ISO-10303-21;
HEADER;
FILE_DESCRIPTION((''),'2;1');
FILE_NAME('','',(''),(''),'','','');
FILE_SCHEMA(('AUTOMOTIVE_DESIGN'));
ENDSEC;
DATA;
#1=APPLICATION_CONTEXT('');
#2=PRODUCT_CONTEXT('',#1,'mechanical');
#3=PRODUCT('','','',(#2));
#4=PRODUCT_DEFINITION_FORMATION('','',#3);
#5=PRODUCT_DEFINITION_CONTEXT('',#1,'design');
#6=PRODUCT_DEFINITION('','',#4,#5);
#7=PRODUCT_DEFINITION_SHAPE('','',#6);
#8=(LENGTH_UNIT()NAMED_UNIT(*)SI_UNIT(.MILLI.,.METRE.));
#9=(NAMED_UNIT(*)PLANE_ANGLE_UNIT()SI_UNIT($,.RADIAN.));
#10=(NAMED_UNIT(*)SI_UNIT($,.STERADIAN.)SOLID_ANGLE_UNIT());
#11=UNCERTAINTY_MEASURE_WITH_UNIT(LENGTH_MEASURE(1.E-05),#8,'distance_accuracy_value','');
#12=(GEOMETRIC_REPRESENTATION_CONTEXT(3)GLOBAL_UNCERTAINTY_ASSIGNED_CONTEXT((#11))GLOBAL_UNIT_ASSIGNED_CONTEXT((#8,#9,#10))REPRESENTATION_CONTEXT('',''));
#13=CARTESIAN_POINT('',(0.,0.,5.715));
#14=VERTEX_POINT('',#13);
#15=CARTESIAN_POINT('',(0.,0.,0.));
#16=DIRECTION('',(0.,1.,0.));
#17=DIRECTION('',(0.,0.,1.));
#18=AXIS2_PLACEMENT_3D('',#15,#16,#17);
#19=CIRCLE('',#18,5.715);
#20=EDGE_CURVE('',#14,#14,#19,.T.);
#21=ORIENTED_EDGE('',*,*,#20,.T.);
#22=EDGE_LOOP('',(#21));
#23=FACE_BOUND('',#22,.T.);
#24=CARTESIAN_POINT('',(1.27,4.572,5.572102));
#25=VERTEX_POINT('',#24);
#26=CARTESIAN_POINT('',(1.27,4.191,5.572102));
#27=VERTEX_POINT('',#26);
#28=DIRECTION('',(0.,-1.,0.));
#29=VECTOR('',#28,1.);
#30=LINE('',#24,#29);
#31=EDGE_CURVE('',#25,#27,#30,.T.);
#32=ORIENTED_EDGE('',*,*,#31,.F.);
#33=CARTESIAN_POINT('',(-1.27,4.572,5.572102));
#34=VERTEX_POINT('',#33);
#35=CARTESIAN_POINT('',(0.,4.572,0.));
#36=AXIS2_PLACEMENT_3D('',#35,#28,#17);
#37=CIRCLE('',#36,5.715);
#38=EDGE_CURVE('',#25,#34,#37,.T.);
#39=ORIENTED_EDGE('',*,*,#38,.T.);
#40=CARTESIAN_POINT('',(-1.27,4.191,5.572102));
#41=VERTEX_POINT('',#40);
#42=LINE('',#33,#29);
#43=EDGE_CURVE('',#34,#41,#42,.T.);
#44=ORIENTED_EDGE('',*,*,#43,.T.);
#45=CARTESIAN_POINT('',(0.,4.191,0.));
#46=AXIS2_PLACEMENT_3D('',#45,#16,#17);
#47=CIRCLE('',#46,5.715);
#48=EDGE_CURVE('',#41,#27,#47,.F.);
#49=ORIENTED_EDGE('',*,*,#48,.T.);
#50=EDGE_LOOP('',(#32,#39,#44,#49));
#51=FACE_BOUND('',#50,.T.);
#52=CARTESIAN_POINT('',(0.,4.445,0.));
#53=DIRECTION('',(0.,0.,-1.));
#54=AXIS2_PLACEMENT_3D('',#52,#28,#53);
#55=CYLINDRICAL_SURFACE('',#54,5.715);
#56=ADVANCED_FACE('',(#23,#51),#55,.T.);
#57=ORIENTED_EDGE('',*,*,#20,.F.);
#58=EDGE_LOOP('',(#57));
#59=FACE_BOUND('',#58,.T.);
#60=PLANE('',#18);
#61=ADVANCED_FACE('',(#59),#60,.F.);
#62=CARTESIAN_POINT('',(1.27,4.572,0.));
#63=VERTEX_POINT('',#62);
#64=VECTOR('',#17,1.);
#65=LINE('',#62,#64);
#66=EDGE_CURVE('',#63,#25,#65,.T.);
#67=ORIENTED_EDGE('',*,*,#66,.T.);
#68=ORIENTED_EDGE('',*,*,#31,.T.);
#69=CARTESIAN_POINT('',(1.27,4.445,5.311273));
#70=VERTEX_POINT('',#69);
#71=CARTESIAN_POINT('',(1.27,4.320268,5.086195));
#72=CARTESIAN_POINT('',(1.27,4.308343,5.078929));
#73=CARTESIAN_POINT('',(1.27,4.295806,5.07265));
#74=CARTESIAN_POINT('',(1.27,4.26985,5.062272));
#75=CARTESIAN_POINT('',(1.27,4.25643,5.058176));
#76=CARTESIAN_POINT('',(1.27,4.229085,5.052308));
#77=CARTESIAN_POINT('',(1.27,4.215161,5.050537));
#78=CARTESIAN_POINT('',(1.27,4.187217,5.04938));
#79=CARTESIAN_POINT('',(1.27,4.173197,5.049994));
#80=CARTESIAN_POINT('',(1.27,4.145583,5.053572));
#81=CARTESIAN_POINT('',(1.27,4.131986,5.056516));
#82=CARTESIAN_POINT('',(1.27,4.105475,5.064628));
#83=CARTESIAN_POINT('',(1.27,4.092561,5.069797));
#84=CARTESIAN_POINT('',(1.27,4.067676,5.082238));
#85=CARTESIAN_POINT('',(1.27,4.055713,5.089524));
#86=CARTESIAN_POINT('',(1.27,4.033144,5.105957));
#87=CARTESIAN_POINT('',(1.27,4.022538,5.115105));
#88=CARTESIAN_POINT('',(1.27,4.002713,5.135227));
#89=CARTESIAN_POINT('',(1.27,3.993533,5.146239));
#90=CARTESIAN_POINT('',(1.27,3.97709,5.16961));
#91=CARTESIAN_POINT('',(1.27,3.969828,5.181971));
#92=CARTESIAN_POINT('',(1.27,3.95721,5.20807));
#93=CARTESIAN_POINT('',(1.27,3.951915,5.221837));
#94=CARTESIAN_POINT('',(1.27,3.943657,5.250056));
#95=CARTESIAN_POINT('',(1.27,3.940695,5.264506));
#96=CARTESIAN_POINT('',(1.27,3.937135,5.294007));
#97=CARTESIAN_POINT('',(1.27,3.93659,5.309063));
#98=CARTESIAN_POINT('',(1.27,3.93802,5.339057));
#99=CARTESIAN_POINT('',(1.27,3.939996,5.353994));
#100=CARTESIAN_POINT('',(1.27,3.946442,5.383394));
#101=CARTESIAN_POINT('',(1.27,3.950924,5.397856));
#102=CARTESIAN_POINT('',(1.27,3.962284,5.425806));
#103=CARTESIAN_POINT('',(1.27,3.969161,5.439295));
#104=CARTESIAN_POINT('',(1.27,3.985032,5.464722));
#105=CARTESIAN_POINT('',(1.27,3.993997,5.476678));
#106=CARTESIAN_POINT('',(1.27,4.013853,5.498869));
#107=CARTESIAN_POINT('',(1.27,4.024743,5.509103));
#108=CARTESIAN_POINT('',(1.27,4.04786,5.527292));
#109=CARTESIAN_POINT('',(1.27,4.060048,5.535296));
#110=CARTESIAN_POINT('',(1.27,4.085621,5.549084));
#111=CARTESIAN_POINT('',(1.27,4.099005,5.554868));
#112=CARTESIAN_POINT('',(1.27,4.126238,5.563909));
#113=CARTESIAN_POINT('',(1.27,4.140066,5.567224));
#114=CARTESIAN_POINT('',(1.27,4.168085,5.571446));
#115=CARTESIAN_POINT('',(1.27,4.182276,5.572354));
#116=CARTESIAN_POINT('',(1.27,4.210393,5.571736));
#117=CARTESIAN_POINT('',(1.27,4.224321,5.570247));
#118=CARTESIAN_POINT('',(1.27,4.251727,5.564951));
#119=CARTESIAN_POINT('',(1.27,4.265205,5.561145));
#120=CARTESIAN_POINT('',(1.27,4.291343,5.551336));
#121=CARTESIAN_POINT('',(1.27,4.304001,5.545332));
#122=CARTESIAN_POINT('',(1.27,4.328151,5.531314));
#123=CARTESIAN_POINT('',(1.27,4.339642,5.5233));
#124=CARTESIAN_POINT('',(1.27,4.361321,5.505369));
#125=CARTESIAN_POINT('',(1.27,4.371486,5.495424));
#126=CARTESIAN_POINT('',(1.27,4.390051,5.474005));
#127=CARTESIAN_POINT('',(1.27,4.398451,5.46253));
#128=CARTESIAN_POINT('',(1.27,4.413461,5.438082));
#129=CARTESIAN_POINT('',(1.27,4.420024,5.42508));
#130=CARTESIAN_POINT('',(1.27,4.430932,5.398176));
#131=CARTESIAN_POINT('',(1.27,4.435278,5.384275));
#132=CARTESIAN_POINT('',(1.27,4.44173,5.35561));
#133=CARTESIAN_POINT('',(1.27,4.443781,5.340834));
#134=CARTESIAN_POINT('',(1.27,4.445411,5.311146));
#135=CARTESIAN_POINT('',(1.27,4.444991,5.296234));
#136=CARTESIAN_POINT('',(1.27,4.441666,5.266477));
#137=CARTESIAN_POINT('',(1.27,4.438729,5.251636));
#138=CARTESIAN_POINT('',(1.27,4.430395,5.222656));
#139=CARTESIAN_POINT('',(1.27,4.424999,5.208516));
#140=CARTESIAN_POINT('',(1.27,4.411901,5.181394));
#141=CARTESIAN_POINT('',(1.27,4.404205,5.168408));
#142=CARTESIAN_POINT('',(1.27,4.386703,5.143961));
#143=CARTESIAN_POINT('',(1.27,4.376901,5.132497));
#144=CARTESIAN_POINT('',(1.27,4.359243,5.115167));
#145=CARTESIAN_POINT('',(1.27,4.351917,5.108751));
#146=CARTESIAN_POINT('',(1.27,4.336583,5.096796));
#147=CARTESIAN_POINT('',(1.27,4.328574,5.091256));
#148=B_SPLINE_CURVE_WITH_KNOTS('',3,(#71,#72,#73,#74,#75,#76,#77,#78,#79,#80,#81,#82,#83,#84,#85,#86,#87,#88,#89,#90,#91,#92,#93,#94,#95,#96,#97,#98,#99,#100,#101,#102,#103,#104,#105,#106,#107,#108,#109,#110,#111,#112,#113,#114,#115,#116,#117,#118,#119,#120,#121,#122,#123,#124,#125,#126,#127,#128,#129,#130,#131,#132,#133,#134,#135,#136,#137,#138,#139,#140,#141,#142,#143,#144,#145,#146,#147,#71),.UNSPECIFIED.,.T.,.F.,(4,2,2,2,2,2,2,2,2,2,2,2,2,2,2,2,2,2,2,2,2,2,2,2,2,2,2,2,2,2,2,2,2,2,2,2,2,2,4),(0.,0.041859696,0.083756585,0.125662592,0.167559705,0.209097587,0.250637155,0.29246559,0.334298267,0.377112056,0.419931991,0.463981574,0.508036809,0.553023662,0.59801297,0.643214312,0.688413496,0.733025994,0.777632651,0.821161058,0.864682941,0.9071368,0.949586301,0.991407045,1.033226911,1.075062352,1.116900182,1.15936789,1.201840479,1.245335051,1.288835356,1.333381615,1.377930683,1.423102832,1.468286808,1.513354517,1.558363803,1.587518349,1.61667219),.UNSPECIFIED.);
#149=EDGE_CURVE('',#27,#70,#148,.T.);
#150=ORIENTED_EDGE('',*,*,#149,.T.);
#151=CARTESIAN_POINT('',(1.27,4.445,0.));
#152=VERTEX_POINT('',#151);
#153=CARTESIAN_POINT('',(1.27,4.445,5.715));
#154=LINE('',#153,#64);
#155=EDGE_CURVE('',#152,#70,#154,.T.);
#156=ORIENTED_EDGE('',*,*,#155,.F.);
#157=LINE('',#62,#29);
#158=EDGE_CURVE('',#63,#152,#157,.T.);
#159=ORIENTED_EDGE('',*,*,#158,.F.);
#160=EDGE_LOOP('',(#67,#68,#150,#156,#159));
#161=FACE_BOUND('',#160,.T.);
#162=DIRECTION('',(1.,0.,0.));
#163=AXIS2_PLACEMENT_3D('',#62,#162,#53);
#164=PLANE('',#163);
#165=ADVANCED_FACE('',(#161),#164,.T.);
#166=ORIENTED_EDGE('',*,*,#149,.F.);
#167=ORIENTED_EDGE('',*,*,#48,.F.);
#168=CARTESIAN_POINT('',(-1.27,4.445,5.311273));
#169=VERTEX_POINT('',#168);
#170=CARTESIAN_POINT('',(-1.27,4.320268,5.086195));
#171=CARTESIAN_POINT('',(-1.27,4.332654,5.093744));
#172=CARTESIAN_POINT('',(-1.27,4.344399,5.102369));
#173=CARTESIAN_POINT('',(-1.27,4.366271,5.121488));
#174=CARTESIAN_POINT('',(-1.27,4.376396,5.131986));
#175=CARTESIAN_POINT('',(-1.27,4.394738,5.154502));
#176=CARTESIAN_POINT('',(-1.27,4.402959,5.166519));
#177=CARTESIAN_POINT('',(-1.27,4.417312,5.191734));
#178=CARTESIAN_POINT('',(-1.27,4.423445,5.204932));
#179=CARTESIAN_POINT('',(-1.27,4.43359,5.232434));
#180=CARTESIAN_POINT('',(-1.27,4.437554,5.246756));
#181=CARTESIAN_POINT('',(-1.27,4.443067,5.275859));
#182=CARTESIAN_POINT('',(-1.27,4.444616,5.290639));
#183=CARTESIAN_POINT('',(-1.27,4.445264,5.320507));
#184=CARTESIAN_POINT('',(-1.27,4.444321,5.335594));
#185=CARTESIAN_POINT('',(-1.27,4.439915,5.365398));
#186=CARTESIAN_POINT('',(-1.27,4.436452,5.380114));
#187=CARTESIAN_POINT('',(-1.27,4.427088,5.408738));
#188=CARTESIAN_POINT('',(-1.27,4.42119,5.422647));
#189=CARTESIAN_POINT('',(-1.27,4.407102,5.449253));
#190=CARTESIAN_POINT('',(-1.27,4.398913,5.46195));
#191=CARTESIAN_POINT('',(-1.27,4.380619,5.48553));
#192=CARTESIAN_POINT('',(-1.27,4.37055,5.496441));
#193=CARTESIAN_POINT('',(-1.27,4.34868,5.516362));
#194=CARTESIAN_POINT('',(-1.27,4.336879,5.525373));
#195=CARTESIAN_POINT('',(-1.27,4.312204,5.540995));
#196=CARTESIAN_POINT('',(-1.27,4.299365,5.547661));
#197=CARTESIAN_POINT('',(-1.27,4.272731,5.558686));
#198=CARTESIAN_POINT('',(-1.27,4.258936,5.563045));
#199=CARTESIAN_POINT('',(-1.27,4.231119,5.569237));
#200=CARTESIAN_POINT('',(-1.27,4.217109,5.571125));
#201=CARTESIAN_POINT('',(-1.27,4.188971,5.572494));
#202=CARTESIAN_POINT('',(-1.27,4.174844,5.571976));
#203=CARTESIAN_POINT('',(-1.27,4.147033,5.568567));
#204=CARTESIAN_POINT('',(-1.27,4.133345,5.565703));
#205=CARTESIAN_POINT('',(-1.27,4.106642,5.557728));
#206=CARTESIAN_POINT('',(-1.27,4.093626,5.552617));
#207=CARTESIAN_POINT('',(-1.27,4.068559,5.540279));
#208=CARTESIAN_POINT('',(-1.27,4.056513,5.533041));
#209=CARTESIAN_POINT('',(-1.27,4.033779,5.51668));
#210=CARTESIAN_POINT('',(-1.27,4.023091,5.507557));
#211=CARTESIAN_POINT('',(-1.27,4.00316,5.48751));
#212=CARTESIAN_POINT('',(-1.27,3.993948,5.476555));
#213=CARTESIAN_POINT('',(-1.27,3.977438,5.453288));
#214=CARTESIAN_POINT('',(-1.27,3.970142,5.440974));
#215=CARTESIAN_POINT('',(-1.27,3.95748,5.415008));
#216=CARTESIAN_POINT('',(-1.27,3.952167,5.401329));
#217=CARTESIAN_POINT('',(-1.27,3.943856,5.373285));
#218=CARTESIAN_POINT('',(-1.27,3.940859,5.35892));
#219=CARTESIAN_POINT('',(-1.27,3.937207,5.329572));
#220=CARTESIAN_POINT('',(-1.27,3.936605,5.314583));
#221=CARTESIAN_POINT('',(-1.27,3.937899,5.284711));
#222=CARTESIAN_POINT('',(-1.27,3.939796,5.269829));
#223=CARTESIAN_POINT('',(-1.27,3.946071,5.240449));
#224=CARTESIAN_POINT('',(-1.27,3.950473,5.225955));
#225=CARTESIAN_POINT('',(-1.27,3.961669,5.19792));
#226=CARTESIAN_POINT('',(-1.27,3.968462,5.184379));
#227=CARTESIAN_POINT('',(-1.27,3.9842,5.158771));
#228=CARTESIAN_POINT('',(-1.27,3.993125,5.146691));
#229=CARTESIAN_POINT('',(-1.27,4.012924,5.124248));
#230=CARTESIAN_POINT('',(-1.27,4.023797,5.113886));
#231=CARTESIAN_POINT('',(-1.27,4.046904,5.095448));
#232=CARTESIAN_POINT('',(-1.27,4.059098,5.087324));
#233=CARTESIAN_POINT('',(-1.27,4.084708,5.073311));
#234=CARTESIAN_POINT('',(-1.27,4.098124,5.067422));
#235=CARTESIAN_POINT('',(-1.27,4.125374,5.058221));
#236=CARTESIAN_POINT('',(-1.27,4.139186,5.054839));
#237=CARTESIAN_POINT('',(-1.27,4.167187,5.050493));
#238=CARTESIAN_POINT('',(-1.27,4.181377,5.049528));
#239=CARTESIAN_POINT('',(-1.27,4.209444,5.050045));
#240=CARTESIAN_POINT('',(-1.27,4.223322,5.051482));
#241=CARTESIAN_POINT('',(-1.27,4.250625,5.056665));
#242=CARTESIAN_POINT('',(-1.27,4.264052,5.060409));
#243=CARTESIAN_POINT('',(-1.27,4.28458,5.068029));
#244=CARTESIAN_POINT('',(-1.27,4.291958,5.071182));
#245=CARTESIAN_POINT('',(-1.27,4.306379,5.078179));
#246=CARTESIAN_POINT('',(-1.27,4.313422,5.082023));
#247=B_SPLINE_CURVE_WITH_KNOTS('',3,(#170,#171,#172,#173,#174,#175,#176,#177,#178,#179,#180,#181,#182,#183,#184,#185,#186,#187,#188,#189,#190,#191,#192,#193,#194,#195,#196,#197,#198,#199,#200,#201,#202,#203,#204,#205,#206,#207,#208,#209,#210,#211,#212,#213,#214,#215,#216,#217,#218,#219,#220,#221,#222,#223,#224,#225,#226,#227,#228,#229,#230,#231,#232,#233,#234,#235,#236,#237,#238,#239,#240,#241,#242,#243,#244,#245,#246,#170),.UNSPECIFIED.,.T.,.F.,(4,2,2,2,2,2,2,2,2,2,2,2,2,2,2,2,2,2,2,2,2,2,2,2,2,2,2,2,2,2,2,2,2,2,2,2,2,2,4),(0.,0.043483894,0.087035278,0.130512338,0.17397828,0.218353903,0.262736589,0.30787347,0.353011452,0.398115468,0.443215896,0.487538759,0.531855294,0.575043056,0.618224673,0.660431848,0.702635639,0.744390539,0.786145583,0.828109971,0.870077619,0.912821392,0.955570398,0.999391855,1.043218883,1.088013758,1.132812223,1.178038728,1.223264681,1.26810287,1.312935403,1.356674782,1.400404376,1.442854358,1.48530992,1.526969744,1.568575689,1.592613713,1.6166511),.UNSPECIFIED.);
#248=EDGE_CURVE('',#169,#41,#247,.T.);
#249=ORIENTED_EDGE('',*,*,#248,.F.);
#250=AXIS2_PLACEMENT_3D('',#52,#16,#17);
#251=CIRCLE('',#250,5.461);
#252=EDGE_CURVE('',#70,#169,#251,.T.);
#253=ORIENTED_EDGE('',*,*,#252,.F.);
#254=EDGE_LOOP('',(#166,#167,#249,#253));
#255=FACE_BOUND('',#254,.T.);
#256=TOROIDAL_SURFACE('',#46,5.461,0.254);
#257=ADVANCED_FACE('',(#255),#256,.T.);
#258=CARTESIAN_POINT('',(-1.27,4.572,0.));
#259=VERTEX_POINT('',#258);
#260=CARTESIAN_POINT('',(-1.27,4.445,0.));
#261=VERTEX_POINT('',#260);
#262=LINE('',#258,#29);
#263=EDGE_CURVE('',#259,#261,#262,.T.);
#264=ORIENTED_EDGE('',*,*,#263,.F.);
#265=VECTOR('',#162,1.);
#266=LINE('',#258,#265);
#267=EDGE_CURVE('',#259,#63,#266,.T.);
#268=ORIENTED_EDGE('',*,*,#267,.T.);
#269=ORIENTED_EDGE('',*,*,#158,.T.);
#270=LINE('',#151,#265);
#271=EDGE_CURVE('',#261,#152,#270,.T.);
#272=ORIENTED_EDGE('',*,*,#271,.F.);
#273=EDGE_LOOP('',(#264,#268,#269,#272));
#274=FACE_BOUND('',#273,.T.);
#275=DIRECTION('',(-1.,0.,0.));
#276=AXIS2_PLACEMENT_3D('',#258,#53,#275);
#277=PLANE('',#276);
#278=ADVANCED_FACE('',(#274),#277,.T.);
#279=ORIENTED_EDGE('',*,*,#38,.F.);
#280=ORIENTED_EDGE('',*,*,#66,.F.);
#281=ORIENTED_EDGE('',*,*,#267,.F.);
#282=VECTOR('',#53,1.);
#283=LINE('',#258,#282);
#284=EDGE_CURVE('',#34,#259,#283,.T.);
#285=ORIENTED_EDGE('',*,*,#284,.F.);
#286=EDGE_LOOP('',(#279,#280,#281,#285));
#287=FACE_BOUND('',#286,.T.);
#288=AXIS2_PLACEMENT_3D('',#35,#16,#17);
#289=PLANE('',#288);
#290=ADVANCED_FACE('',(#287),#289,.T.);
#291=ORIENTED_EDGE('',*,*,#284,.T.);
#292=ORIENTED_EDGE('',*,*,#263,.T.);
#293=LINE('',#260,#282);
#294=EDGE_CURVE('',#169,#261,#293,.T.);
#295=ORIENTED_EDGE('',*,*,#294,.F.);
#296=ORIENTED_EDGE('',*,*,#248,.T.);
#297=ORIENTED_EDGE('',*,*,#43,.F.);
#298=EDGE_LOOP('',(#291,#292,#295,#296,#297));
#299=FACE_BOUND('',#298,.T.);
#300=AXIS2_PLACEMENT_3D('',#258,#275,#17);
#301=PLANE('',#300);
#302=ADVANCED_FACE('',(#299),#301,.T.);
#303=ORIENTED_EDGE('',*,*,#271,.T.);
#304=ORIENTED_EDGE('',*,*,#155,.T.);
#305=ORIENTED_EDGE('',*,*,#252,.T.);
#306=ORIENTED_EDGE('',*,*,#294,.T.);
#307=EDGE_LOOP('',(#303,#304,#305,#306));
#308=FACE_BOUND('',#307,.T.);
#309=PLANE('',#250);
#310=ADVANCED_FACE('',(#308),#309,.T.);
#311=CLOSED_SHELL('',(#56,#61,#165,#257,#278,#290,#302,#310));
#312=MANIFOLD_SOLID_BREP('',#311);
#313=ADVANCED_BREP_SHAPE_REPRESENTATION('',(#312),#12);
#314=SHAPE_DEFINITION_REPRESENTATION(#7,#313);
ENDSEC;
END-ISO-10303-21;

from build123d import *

# Parameters (mm, degrees)
SKETCH1_R           = 5.715
BOSS_EXTRUDE1_DEPTH = 4.445
FILLET2_R           = 0.254
SKETCH2_W           = 2.54
SKETCH2_H           = 5.715
CUT_EXTRUDE1_DEPTH  = 10.223907794
BOSS_EXTRUDE2_DEPTH = 4.572


with BuildPart() as part:
    # Sketch1 → Boss-Extrude1 (new body)
    with BuildSketch(Plane(origin=(0, 0, 0), x_dir=(1, 0, 0), z_dir=(0, 1, 0))):
        with Locations(Location((0, 0, 0), (0, 0, 270))):
            Circle(SKETCH1_R)
    extrude(amount=BOSS_EXTRUDE1_DEPTH)

    # Fillet2
    fillet2_edges = [part.edges().sort_by_distance(p)[0] for p in [
        (0, 4.445, -5.715),
    ]]
    fillet(fillet2_edges, radius=FILLET2_R)

    # Sketch2 → Cut-Extrude1 (cut, through all)
    with BuildSketch(Plane.XZ):
        with Locations((0, 2.8575)):
            Rectangle(SKETCH2_W, SKETCH2_H)
    extrude(amount=-CUT_EXTRUDE1_DEPTH, mode=Mode.SUBTRACT)

    # Sketch3 → Boss-Extrude2 (add)
    with BuildSketch(Plane.XZ):
        with BuildLine():
            Line((-1.27, 0), (-1.27, 5.572102386))
            ThreePointArc((-1.27, 5.572102386), (0, 5.715), (1.27, 5.572102386))
            Line((1.27, 5.572102386), (1.27, 0))
            Line((1.27, 0), (-1.27, 0))
        make_face()
    extrude(amount=-BOSS_EXTRUDE2_DEPTH)


solid = part.part
